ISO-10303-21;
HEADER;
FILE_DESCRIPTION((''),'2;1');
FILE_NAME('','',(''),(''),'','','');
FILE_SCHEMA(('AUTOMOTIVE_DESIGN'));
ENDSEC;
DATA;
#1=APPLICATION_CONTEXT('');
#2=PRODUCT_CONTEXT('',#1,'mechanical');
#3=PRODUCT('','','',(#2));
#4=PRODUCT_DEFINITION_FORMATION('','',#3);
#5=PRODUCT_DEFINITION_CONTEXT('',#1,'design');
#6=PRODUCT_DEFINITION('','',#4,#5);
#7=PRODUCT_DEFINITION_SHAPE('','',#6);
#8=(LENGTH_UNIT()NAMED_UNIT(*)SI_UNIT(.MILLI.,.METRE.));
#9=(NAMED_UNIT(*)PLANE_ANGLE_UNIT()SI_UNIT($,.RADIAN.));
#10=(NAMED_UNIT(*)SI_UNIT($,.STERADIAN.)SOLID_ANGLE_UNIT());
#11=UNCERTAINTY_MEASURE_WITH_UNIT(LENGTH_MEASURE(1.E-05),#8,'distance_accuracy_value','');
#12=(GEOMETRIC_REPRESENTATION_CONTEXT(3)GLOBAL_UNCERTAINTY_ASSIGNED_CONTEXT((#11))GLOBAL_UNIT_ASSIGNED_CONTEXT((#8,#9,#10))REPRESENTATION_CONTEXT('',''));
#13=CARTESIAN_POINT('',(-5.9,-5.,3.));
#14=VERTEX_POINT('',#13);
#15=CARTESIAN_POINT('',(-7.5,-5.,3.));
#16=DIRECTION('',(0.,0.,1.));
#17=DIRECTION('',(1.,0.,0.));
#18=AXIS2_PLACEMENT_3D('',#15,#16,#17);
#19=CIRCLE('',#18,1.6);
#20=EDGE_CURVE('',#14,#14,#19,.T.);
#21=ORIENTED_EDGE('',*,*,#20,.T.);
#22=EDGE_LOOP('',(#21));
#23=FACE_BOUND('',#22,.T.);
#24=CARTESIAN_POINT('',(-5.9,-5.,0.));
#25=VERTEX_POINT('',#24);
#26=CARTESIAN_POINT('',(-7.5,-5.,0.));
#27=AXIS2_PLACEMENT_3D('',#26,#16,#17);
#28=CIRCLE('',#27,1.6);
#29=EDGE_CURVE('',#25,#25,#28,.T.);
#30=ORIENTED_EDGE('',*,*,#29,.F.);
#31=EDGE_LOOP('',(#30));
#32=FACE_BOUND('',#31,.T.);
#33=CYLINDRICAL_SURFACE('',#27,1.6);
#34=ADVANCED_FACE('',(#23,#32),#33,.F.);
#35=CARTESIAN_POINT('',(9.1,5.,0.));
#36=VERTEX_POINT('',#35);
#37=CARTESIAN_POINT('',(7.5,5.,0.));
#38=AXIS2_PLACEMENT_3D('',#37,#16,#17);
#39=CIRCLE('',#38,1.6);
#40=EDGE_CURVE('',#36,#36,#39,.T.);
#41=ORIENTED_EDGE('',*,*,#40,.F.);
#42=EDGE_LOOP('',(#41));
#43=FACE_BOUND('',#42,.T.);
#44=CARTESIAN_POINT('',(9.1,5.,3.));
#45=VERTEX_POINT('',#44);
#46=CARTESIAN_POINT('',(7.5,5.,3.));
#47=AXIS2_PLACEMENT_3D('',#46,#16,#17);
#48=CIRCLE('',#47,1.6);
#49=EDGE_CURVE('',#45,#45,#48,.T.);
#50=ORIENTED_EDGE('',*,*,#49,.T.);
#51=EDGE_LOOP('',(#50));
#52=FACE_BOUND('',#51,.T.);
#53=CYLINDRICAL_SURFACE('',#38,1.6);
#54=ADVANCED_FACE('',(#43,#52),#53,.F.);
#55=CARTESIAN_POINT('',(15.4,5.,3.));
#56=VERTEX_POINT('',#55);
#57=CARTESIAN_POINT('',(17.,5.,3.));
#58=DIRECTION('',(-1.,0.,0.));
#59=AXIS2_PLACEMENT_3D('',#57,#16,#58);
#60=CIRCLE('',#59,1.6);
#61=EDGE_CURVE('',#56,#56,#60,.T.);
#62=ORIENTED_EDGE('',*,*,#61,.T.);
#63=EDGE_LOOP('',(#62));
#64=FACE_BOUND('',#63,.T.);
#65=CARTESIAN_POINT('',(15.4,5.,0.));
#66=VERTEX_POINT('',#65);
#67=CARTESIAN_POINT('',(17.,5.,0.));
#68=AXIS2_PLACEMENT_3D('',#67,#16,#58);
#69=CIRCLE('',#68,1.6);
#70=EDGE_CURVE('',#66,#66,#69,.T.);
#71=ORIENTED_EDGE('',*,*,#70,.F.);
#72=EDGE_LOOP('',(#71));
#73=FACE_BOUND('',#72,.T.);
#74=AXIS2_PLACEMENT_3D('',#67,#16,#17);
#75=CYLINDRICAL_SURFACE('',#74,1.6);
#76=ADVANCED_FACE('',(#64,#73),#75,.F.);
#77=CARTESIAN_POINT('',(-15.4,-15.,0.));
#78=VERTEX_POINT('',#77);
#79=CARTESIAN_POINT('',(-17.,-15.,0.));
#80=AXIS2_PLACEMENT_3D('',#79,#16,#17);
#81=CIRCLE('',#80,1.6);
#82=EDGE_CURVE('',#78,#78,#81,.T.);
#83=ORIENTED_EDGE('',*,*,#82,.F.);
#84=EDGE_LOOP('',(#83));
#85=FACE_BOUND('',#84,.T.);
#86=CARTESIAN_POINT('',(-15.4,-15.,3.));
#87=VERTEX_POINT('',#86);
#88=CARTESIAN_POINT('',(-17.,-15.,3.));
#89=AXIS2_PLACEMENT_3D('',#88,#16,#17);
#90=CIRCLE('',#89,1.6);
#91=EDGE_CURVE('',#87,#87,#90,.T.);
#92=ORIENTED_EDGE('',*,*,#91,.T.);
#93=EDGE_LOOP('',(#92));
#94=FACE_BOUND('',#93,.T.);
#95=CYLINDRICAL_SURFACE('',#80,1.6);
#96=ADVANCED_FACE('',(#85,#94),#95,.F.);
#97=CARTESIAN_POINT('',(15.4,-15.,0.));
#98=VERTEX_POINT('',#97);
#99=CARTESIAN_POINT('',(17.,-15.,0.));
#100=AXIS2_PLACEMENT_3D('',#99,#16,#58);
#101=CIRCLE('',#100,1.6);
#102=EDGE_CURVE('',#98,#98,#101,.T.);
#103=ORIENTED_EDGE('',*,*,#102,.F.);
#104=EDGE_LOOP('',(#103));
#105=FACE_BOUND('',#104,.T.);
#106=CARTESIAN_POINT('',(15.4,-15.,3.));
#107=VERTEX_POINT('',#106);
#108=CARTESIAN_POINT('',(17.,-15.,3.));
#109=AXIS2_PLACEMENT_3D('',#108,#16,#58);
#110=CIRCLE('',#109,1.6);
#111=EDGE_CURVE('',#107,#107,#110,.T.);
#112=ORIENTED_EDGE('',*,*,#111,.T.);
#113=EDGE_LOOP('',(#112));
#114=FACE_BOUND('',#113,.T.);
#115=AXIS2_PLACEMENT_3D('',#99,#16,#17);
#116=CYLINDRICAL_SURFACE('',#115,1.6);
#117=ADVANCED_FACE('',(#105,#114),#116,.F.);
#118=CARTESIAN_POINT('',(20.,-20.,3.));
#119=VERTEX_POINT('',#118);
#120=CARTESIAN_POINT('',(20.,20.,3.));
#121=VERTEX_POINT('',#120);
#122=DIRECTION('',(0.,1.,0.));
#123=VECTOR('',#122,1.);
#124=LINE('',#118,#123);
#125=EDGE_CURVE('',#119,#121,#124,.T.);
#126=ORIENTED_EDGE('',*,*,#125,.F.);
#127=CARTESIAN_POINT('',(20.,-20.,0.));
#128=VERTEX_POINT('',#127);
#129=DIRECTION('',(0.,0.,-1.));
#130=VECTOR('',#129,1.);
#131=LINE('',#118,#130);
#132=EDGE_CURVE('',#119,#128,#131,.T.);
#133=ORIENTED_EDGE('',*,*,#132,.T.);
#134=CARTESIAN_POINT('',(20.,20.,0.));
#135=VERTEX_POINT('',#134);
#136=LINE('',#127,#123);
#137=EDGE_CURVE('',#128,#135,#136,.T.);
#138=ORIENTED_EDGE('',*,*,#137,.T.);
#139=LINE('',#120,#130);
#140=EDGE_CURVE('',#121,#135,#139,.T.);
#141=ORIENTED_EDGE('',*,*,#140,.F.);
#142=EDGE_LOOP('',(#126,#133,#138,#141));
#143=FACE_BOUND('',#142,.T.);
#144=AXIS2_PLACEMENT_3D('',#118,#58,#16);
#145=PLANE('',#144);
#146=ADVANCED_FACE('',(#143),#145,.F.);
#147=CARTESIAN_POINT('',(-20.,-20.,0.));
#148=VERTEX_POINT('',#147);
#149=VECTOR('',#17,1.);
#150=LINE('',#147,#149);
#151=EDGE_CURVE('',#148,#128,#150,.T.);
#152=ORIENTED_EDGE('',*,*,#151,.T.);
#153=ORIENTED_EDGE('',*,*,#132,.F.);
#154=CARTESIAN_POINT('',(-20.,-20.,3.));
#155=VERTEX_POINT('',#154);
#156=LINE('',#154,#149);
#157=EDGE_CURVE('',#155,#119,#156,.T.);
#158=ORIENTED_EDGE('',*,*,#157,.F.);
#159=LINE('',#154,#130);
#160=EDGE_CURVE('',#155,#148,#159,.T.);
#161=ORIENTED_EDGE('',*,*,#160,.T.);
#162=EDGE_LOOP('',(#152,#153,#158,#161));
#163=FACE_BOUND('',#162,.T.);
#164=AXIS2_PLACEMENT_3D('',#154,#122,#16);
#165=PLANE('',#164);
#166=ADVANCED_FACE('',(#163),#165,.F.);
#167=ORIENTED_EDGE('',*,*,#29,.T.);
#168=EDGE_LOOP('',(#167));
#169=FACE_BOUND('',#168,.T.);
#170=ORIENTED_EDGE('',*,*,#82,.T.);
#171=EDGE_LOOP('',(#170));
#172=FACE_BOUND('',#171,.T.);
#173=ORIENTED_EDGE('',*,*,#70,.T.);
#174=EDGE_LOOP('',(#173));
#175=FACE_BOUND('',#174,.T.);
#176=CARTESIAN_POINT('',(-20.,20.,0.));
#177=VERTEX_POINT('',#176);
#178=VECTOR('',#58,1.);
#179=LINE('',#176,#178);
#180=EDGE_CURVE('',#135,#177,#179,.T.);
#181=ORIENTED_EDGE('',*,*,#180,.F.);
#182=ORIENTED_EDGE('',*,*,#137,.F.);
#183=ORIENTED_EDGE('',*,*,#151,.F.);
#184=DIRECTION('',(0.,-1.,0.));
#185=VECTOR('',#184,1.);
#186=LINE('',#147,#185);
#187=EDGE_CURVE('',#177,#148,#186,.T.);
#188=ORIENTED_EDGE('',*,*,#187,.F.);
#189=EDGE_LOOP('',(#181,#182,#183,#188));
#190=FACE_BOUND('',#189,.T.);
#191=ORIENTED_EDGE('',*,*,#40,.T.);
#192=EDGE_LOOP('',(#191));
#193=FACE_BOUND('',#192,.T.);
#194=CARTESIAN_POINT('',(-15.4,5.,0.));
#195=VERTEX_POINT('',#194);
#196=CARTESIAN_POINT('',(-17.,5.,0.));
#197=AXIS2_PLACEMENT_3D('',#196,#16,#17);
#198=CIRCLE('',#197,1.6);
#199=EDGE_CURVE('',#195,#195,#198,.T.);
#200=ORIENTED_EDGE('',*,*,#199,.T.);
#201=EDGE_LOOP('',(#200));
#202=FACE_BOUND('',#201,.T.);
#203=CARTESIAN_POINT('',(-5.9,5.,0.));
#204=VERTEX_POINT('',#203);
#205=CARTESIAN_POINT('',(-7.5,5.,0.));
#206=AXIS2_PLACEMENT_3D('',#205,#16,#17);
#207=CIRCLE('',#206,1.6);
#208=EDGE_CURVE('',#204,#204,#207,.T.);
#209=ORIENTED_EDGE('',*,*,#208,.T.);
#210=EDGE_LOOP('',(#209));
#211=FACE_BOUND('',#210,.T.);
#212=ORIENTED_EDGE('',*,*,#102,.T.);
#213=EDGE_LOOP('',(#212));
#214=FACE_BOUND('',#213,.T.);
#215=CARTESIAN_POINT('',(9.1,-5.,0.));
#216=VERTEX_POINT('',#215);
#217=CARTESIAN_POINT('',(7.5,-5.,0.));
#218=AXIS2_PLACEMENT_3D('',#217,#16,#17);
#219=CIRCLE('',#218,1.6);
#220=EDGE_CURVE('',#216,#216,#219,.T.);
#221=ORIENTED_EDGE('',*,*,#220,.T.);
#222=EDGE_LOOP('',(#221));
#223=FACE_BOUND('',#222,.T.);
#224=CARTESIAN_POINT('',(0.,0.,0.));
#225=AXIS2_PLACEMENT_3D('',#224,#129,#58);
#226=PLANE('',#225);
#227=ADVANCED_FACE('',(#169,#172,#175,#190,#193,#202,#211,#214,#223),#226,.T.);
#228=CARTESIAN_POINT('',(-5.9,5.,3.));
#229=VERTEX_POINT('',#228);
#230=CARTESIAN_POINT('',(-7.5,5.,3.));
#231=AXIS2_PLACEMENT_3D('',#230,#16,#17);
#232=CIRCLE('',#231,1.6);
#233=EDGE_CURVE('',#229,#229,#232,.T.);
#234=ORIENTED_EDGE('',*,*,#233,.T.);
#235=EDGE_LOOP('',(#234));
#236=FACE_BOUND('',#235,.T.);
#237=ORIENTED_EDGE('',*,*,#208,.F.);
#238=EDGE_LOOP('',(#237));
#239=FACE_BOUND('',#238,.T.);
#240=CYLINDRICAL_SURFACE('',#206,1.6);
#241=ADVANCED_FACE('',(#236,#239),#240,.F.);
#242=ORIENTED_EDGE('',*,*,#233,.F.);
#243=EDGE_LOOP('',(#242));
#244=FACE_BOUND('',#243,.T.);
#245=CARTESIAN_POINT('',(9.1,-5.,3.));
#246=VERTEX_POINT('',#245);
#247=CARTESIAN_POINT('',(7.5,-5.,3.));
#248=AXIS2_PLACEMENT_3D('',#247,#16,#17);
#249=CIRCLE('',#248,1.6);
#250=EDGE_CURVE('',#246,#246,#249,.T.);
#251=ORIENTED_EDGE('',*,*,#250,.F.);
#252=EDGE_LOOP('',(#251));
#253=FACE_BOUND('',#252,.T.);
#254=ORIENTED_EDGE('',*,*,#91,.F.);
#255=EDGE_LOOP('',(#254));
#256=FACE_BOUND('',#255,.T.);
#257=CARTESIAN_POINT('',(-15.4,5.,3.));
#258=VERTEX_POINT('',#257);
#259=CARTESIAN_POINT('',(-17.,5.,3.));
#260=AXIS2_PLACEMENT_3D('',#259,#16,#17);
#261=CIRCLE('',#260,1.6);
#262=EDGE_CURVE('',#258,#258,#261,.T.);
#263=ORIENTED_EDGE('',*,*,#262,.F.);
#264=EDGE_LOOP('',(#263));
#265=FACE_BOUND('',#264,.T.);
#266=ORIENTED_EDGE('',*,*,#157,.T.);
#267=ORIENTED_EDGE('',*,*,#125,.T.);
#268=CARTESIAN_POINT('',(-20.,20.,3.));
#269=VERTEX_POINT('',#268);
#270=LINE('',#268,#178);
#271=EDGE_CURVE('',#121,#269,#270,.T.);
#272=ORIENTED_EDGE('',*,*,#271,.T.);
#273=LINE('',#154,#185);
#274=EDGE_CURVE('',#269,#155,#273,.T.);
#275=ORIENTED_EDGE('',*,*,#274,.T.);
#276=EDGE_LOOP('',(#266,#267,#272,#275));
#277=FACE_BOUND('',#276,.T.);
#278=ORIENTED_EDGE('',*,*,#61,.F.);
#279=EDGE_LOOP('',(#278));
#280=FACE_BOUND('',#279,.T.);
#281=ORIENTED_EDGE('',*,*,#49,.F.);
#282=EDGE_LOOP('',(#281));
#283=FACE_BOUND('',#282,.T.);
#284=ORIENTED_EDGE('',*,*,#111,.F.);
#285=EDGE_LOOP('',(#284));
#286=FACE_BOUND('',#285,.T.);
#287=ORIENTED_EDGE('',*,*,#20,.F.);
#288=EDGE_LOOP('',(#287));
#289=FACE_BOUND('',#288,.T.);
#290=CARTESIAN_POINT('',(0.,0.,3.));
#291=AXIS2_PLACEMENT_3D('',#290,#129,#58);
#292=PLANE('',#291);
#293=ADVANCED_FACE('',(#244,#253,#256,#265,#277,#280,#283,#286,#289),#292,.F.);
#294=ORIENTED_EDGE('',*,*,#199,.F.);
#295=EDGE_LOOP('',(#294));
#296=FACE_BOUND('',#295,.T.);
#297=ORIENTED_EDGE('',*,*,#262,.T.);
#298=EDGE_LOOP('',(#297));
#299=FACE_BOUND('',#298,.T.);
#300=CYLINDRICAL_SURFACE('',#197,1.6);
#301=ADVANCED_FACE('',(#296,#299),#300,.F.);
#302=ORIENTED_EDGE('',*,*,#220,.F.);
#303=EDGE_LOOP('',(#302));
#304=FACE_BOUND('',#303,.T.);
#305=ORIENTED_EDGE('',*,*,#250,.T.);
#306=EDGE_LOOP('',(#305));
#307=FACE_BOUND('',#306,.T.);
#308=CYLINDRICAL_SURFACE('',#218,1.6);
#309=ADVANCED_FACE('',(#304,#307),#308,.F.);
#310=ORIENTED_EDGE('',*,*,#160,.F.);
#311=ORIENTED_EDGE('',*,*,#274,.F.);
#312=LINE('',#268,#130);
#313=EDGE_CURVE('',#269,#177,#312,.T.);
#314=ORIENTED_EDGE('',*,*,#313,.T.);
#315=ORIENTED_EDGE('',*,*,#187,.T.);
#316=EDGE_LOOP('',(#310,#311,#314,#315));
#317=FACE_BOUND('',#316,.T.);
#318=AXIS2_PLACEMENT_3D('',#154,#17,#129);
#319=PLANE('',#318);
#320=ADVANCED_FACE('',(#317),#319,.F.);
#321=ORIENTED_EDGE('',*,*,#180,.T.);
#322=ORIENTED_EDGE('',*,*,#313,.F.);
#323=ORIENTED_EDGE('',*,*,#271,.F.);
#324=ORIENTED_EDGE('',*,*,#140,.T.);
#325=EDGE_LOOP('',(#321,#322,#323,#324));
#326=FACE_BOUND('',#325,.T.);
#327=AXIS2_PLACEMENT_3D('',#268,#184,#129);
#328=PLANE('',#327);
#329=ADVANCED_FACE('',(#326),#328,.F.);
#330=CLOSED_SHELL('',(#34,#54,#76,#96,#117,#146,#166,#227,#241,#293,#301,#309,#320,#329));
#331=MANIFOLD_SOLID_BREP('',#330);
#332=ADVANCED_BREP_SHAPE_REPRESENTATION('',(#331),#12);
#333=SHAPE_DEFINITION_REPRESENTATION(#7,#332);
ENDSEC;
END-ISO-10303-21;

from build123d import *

# Parameters (mm, degrees)
SKETCH_1_W          = 40
SKETCH_1_H          = 40
EXTRUDE_1_DEPTH     = 3
SKETCH_2_R          = 1.6
CUT_EXTRUDE_1_DEPTH = 29.442925307


with BuildPart() as part:
    # 草图1 → 凸台-拉伸1 (new body)
    with BuildSketch(Plane.XY):
        Rectangle(SKETCH_1_W, SKETCH_1_H)
    extrude(amount=EXTRUDE_1_DEPTH)

    # 草图2 → 切除-拉伸1 (cut, through all)
    with BuildSketch(Plane.XY.offset(3)):
        with Locations((-7.5, 5)):
            Circle(SKETCH_2_R)
        with Locations((7.5, 5)):
            Circle(SKETCH_2_R)
        with Locations((7.5, -5)):
            Circle(SKETCH_2_R)
        with Locations((-7.5, -5)):
            Circle(SKETCH_2_R)
        with Locations((-17, -15)):
            Circle(SKETCH_2_R)
        with Locations((-17, 5)):
            Circle(SKETCH_2_R)
        with Locations(Location((17, 5, 0), (0, 0, 180))):
            Circle(SKETCH_2_R)
        with Locations(Location((17, -15, 0), (0, 0, 180))):
            Circle(SKETCH_2_R)
    extrude(amount=-CUT_EXTRUDE_1_DEPTH, mode=Mode.SUBTRACT)


solid = part.part
